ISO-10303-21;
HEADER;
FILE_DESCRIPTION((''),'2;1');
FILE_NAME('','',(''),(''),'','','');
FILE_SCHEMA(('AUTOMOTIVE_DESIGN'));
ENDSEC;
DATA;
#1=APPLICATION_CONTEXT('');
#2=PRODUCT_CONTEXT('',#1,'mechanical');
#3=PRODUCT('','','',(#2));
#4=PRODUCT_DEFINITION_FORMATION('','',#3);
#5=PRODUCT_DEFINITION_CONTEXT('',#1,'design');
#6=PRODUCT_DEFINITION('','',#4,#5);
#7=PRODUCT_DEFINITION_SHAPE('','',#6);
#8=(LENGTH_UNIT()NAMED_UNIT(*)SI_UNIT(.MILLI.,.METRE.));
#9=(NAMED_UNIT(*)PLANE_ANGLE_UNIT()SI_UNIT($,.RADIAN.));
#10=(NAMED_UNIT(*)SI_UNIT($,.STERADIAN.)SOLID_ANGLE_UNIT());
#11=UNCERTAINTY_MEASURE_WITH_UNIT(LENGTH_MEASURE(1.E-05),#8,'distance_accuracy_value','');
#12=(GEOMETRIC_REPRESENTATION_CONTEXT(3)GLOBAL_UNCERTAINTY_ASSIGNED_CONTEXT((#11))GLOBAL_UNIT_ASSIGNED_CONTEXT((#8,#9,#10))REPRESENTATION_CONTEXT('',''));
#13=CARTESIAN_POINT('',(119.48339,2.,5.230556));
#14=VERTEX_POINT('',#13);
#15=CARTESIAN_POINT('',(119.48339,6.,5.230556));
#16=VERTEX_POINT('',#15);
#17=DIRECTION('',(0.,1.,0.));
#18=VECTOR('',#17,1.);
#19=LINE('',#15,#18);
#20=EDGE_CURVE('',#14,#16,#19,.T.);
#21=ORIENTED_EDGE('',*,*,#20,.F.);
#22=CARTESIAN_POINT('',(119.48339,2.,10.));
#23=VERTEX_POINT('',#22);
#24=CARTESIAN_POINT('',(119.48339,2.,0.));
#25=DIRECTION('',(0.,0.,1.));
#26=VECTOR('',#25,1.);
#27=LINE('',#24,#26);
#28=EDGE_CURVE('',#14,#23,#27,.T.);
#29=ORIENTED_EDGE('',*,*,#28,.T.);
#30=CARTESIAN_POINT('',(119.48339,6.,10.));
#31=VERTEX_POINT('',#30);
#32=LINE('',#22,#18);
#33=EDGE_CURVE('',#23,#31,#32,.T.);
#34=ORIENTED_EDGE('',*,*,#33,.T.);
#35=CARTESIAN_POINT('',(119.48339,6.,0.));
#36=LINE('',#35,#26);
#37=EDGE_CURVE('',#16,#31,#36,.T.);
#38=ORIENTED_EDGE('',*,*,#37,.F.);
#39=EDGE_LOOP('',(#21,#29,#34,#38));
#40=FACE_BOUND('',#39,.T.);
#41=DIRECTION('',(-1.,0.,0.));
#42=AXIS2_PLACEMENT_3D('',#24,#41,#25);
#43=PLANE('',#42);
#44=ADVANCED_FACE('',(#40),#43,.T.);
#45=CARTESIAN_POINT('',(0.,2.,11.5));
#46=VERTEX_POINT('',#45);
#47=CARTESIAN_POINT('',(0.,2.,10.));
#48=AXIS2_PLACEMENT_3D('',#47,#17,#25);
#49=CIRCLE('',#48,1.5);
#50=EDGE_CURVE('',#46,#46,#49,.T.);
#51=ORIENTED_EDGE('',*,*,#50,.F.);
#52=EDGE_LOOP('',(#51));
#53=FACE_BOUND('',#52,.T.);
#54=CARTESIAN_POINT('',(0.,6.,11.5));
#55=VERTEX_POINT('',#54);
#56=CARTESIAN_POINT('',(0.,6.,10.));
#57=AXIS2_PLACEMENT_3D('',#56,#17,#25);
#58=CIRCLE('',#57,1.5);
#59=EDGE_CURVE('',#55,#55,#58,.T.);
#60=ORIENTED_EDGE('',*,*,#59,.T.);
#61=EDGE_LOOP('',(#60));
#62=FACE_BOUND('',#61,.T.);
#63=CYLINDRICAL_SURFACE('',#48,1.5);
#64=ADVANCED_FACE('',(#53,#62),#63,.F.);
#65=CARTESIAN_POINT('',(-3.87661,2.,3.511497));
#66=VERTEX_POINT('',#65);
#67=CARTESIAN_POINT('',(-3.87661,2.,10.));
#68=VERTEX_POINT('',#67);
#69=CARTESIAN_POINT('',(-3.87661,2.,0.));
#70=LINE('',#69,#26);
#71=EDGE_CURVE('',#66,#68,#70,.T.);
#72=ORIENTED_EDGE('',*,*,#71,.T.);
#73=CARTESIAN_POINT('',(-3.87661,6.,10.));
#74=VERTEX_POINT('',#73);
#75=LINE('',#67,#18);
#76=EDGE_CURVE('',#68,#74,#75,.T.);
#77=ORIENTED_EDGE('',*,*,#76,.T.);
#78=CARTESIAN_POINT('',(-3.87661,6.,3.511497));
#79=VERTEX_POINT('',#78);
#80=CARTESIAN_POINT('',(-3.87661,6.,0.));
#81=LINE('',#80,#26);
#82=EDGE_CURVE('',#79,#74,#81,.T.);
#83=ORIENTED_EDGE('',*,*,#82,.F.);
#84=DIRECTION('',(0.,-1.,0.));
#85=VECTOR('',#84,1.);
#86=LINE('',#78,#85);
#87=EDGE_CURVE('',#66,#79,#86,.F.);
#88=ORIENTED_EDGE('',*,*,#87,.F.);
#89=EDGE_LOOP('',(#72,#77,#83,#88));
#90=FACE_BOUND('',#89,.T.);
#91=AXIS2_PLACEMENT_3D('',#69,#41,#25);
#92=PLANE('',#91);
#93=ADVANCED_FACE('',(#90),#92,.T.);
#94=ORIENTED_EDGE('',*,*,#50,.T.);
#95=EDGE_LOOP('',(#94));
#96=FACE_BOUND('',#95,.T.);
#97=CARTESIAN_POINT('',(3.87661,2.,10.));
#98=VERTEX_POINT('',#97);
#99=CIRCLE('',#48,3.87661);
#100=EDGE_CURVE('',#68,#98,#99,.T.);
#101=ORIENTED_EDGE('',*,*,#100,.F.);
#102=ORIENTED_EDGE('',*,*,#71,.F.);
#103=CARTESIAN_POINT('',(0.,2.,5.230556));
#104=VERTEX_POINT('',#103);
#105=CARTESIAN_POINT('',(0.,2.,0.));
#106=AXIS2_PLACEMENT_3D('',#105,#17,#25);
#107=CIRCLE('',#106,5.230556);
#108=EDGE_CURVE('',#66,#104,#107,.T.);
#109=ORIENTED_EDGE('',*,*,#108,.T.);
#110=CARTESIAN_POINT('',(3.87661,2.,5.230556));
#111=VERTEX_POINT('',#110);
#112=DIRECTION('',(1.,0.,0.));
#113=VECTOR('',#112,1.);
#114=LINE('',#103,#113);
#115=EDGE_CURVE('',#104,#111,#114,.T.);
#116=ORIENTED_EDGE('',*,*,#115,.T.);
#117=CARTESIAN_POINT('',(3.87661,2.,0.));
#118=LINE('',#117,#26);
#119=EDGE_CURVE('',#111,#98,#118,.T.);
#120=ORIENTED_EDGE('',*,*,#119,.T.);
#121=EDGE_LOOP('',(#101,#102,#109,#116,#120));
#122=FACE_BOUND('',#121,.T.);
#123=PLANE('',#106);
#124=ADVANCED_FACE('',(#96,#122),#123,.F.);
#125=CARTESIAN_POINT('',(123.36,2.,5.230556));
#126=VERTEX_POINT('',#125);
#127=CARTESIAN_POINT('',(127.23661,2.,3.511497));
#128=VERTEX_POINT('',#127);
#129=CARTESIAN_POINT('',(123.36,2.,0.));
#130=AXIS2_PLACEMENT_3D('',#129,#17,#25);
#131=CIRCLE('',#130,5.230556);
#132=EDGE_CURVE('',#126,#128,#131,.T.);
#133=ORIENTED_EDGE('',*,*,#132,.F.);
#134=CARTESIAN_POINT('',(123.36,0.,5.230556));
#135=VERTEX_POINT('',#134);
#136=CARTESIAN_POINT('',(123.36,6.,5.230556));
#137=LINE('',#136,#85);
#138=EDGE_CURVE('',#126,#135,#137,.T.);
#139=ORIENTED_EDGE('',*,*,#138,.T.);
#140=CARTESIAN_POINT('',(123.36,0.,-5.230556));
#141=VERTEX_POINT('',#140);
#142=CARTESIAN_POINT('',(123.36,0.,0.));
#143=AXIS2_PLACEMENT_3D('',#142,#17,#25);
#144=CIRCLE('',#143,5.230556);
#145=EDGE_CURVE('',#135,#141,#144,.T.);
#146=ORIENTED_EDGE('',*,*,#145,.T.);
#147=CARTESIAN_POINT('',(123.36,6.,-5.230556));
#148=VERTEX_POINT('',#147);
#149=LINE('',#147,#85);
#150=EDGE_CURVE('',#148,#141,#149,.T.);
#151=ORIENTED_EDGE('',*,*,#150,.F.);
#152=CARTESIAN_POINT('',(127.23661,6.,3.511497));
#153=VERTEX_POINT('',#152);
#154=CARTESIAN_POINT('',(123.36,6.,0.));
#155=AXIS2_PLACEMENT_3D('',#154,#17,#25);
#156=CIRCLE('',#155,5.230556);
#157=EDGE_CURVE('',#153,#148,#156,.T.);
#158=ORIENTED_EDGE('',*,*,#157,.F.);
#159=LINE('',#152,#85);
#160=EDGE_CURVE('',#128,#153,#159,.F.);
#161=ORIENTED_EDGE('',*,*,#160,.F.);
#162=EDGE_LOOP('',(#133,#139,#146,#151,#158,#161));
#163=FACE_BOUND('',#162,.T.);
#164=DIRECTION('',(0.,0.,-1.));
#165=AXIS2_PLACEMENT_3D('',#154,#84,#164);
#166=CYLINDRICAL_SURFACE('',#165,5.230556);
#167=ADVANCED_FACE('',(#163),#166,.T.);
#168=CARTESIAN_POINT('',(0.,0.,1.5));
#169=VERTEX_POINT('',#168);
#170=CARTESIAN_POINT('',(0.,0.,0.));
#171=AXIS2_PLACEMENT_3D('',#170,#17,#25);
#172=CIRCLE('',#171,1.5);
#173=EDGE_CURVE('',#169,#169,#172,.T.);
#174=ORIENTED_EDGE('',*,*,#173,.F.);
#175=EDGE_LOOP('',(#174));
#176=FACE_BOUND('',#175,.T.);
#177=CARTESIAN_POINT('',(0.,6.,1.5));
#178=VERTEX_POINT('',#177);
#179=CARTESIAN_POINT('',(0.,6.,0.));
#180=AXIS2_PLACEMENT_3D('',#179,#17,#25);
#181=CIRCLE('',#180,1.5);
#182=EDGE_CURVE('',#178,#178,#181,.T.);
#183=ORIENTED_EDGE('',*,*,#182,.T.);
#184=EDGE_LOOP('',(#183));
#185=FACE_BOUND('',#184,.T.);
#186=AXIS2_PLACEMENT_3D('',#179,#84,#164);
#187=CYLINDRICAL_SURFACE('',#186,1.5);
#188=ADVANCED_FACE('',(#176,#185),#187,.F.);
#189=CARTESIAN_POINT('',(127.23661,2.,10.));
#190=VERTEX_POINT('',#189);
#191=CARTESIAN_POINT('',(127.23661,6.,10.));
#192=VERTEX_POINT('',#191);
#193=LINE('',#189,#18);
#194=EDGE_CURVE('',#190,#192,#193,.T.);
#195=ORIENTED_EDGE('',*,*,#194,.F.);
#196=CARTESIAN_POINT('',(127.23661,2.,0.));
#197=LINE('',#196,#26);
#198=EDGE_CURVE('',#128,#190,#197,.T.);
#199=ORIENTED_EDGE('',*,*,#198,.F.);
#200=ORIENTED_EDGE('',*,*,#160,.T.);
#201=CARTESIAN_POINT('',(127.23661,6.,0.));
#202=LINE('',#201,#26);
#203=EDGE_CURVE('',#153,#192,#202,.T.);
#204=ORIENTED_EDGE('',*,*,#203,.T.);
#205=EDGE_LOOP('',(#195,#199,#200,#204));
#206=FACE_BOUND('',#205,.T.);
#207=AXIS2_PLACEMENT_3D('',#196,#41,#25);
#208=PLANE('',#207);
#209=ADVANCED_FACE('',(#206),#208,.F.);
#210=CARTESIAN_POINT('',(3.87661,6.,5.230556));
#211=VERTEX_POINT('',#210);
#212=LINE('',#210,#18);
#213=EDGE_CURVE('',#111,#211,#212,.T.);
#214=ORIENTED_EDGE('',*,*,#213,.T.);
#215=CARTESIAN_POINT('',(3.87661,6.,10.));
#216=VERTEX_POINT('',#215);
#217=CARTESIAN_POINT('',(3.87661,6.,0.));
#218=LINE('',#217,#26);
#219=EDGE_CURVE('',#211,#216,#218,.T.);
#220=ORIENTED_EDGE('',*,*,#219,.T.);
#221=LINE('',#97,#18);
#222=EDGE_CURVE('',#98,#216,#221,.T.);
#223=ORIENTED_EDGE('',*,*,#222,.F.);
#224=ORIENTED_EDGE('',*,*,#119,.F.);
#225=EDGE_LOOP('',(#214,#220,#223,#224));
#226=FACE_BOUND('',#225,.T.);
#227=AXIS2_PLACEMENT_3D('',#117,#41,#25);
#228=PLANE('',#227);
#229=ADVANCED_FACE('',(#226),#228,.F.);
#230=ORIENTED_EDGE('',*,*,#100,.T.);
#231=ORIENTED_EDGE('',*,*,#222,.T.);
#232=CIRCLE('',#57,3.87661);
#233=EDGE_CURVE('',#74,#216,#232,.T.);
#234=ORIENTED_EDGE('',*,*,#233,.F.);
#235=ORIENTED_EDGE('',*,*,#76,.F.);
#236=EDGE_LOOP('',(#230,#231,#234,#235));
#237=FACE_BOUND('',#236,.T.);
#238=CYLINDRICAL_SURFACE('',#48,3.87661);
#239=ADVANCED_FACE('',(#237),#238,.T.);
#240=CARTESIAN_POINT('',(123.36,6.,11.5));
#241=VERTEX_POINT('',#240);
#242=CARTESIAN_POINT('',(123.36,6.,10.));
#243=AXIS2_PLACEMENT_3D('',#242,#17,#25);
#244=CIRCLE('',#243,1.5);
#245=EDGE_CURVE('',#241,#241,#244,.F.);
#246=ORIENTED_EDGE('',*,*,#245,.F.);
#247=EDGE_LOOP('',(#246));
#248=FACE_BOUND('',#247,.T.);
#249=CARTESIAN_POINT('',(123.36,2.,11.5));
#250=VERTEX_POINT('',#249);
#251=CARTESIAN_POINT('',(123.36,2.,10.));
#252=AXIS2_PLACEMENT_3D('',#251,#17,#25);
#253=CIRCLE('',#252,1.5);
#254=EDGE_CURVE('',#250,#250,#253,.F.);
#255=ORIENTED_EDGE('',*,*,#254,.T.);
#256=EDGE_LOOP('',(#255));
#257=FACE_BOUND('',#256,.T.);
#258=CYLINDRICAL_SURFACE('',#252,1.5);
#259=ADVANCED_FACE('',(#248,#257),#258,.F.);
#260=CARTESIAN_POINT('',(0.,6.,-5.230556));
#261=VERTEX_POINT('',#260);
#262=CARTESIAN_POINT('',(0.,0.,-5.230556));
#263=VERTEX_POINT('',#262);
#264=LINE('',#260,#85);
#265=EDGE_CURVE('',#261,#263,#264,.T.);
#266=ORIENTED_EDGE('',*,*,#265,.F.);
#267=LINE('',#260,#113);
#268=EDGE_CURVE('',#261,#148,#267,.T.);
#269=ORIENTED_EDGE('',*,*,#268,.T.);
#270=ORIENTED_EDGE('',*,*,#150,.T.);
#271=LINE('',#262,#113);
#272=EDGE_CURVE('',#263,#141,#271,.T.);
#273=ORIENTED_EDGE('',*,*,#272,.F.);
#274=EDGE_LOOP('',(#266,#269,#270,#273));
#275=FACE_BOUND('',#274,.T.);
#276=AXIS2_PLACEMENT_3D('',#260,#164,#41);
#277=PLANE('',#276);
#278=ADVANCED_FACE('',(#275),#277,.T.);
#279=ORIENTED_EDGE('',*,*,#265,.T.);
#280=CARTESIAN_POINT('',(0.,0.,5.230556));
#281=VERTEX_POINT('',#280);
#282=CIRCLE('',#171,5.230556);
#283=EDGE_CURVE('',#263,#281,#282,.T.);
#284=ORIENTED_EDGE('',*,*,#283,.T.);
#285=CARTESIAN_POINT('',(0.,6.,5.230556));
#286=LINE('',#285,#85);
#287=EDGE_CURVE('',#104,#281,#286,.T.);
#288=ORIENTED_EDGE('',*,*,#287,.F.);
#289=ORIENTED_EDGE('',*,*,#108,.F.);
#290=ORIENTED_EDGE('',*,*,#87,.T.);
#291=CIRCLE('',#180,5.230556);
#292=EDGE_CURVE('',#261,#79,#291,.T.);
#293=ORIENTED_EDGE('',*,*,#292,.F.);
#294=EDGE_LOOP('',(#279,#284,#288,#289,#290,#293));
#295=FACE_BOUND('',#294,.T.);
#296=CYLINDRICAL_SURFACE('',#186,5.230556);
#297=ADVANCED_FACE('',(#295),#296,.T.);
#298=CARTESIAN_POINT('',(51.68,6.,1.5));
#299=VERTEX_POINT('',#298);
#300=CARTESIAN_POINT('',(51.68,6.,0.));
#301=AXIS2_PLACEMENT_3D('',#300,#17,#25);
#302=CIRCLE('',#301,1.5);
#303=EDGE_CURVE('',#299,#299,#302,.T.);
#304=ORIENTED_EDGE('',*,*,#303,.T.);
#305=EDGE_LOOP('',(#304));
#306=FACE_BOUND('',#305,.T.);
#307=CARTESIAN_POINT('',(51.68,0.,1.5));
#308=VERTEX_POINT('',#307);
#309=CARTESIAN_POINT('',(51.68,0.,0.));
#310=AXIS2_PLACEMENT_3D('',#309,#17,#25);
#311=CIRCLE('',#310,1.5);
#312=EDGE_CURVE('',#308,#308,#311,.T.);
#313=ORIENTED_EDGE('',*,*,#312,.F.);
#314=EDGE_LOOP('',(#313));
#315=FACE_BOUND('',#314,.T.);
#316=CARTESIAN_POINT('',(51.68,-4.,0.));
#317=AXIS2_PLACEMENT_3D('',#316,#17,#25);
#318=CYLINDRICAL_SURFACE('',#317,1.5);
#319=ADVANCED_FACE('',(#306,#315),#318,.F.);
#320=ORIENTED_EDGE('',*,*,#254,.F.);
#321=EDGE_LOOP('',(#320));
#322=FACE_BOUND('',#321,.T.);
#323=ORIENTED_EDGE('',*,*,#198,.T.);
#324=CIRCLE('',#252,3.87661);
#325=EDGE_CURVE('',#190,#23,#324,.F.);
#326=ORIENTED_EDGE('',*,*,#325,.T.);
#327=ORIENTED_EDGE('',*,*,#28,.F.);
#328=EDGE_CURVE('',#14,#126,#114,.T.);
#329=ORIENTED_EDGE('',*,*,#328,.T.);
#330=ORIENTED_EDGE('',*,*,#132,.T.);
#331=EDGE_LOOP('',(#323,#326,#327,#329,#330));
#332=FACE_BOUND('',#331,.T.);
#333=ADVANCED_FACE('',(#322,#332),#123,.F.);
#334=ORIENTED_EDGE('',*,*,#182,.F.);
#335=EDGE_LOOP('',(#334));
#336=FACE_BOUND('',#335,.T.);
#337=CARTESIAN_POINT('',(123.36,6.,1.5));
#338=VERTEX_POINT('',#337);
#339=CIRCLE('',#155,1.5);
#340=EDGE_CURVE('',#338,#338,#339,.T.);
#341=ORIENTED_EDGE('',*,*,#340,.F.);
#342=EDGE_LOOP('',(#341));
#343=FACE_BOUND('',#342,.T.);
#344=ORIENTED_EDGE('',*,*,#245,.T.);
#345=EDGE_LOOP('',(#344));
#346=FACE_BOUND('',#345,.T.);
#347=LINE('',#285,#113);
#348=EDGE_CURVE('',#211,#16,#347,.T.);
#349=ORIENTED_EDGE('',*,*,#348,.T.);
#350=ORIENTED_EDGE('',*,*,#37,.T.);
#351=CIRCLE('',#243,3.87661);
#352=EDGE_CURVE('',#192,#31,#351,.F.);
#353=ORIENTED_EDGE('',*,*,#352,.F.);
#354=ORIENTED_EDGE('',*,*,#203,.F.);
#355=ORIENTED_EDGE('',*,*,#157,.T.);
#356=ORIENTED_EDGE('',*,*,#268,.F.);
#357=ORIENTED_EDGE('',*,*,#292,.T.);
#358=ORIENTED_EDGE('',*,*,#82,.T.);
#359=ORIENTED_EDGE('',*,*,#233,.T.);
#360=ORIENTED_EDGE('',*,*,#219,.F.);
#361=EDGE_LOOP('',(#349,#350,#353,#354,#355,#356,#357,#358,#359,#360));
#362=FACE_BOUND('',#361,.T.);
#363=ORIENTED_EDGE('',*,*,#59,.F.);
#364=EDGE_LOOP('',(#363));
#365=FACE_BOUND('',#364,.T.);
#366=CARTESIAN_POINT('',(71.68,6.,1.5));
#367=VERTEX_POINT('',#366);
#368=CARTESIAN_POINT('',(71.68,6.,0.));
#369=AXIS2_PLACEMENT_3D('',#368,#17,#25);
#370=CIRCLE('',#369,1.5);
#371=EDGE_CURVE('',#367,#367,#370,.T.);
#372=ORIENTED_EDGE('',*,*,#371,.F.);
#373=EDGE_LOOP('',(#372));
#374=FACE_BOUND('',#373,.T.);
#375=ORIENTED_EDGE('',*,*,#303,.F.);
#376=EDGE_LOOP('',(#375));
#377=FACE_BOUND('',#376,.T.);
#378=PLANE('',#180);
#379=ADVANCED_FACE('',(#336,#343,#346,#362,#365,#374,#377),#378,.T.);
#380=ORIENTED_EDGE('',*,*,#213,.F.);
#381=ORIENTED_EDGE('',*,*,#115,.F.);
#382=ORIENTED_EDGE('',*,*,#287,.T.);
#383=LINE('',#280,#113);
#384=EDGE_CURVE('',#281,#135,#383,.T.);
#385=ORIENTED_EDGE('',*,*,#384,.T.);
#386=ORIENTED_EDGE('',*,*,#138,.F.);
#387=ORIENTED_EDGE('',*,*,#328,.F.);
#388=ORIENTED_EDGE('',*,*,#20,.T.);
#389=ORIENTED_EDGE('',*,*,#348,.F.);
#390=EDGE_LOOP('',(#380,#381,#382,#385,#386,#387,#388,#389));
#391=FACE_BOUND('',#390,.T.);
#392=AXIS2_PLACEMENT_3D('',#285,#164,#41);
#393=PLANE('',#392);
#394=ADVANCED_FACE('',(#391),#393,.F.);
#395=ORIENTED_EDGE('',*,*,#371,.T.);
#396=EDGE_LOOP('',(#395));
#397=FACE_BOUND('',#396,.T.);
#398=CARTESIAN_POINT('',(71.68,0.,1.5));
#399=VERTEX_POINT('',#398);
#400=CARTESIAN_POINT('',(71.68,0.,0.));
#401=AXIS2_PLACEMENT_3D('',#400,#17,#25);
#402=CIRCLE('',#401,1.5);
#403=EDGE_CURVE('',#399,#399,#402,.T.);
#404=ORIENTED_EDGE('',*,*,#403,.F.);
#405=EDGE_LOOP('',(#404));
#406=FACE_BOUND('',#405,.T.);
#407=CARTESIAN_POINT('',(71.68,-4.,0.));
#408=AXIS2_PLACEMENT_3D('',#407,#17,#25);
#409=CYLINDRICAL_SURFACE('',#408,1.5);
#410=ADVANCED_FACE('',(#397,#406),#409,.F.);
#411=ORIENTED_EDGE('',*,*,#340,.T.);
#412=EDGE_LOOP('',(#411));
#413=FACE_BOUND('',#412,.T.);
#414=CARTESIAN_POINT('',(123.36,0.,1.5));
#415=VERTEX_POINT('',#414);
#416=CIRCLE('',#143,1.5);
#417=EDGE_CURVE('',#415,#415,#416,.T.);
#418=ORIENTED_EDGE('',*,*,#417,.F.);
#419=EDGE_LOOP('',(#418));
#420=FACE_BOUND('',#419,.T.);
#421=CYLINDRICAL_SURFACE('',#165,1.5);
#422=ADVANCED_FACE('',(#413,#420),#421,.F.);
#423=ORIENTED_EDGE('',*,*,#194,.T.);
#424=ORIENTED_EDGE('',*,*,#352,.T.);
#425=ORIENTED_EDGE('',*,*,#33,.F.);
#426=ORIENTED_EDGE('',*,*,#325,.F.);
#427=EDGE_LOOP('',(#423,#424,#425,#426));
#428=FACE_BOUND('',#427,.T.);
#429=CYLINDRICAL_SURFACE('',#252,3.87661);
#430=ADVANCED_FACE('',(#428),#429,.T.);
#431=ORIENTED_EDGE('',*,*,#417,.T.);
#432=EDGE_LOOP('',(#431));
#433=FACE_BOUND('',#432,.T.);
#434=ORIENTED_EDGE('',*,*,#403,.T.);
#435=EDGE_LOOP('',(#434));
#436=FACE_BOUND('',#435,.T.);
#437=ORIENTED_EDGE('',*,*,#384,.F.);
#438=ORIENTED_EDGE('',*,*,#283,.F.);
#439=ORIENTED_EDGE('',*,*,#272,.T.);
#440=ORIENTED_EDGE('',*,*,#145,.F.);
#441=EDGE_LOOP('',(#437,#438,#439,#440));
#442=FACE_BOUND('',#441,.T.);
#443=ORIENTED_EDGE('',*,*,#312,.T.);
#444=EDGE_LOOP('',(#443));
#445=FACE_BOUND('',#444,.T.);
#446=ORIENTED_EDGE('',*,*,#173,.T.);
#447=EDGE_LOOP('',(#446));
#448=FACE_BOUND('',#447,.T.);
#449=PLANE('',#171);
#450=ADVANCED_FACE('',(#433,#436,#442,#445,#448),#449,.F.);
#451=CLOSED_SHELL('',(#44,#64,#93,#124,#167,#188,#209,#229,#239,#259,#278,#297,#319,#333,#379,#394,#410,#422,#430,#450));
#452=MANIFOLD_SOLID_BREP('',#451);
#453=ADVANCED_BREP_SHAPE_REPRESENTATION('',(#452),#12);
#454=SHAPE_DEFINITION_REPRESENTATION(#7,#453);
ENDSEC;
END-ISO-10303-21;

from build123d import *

# Parameters (mm, degrees)
SKETCH1_R           = 1.5
BOSS_EXTRUDE1_DEPTH = 6
SKETCH2_R           = 1.5
BOSS_EXTRUDE2_DEPTH = 4
SKETCH3_R           = 1.5
CUT_EXTRUDE1_DEPTH  = 10


with BuildPart() as part:
    # Sketch1 → Boss-Extrude1 (new body)
    with BuildSketch(Plane(origin=(0, 0, 0), x_dir=(1, 0, 0), z_dir=(0, 1, 0))):
        with BuildLine():
            Line((0, 5.230556007), (123.36, 5.230556007))
            ThreePointArc((123.36, 5.230556007), (128.590556007, 0), (123.36, -5.230556007))
            Line((123.36, -5.230556007), (0, -5.230556007))
            ThreePointArc((0, -5.230556007), (-5.230556007, 0), (0, 5.230556007))
        make_face()
        Circle(SKETCH1_R, mode=Mode.SUBTRACT)
        with Locations((123.36, 0)):
            Circle(SKETCH1_R, mode=Mode.SUBTRACT)
    extrude(amount=BOSS_EXTRUDE1_DEPTH)

    # Sketch2 → Boss-Extrude2 (add)
    with BuildSketch(Plane(origin=(0, 6, 0), x_dir=(1, 0, 0), z_dir=(0, 1, 0))):
        with BuildLine():
            Line((3.876609724, 0), (3.876609724, -10))
            ThreePointArc((3.876609724, -10), (0, -13.876609724), (-3.876609724, -10))
            Line((-3.876609724, -10), (-3.876609724, 0))
            ThreePointArc((-3.876609724, 0), (0, 3.876609724), (3.876609724, 0))
        make_face()
        with Locations((0, -10)):
            Circle(SKETCH2_R, mode=Mode.SUBTRACT)
        Circle(SKETCH2_R, mode=Mode.SUBTRACT)
        with BuildLine():
            Line((119.483390276, 0), (119.483390276, -10))
            ThreePointArc((119.483390276, -10), (123.36, -13.876609724), (127.236609724, -10))
            Line((127.236609724, -10), (127.236609724, 0))
            ThreePointArc((127.236609724, 0), (123.36, 3.876609724), (119.483390276, 0))
        make_face()
        with Locations((123.36, 0)):
            Circle(SKETCH2_R, mode=Mode.SUBTRACT)
        with Locations((123.36, -10)):
            Circle(SKETCH2_R, mode=Mode.SUBTRACT)
    extrude(amount=-BOSS_EXTRUDE2_DEPTH)

    # Sketch3 → Cut-Extrude1 (cut)
    with BuildSketch(Plane(origin=(0, 6, 0), x_dir=(1, 0, 0), z_dir=(0, 1, 0))):
        with Locations((51.68, 0)):
            Circle(SKETCH3_R)
        with Locations((71.68, 0)):
            Circle(SKETCH3_R)
    extrude(amount=-CUT_EXTRUDE1_DEPTH, mode=Mode.SUBTRACT)


solid = part.part
